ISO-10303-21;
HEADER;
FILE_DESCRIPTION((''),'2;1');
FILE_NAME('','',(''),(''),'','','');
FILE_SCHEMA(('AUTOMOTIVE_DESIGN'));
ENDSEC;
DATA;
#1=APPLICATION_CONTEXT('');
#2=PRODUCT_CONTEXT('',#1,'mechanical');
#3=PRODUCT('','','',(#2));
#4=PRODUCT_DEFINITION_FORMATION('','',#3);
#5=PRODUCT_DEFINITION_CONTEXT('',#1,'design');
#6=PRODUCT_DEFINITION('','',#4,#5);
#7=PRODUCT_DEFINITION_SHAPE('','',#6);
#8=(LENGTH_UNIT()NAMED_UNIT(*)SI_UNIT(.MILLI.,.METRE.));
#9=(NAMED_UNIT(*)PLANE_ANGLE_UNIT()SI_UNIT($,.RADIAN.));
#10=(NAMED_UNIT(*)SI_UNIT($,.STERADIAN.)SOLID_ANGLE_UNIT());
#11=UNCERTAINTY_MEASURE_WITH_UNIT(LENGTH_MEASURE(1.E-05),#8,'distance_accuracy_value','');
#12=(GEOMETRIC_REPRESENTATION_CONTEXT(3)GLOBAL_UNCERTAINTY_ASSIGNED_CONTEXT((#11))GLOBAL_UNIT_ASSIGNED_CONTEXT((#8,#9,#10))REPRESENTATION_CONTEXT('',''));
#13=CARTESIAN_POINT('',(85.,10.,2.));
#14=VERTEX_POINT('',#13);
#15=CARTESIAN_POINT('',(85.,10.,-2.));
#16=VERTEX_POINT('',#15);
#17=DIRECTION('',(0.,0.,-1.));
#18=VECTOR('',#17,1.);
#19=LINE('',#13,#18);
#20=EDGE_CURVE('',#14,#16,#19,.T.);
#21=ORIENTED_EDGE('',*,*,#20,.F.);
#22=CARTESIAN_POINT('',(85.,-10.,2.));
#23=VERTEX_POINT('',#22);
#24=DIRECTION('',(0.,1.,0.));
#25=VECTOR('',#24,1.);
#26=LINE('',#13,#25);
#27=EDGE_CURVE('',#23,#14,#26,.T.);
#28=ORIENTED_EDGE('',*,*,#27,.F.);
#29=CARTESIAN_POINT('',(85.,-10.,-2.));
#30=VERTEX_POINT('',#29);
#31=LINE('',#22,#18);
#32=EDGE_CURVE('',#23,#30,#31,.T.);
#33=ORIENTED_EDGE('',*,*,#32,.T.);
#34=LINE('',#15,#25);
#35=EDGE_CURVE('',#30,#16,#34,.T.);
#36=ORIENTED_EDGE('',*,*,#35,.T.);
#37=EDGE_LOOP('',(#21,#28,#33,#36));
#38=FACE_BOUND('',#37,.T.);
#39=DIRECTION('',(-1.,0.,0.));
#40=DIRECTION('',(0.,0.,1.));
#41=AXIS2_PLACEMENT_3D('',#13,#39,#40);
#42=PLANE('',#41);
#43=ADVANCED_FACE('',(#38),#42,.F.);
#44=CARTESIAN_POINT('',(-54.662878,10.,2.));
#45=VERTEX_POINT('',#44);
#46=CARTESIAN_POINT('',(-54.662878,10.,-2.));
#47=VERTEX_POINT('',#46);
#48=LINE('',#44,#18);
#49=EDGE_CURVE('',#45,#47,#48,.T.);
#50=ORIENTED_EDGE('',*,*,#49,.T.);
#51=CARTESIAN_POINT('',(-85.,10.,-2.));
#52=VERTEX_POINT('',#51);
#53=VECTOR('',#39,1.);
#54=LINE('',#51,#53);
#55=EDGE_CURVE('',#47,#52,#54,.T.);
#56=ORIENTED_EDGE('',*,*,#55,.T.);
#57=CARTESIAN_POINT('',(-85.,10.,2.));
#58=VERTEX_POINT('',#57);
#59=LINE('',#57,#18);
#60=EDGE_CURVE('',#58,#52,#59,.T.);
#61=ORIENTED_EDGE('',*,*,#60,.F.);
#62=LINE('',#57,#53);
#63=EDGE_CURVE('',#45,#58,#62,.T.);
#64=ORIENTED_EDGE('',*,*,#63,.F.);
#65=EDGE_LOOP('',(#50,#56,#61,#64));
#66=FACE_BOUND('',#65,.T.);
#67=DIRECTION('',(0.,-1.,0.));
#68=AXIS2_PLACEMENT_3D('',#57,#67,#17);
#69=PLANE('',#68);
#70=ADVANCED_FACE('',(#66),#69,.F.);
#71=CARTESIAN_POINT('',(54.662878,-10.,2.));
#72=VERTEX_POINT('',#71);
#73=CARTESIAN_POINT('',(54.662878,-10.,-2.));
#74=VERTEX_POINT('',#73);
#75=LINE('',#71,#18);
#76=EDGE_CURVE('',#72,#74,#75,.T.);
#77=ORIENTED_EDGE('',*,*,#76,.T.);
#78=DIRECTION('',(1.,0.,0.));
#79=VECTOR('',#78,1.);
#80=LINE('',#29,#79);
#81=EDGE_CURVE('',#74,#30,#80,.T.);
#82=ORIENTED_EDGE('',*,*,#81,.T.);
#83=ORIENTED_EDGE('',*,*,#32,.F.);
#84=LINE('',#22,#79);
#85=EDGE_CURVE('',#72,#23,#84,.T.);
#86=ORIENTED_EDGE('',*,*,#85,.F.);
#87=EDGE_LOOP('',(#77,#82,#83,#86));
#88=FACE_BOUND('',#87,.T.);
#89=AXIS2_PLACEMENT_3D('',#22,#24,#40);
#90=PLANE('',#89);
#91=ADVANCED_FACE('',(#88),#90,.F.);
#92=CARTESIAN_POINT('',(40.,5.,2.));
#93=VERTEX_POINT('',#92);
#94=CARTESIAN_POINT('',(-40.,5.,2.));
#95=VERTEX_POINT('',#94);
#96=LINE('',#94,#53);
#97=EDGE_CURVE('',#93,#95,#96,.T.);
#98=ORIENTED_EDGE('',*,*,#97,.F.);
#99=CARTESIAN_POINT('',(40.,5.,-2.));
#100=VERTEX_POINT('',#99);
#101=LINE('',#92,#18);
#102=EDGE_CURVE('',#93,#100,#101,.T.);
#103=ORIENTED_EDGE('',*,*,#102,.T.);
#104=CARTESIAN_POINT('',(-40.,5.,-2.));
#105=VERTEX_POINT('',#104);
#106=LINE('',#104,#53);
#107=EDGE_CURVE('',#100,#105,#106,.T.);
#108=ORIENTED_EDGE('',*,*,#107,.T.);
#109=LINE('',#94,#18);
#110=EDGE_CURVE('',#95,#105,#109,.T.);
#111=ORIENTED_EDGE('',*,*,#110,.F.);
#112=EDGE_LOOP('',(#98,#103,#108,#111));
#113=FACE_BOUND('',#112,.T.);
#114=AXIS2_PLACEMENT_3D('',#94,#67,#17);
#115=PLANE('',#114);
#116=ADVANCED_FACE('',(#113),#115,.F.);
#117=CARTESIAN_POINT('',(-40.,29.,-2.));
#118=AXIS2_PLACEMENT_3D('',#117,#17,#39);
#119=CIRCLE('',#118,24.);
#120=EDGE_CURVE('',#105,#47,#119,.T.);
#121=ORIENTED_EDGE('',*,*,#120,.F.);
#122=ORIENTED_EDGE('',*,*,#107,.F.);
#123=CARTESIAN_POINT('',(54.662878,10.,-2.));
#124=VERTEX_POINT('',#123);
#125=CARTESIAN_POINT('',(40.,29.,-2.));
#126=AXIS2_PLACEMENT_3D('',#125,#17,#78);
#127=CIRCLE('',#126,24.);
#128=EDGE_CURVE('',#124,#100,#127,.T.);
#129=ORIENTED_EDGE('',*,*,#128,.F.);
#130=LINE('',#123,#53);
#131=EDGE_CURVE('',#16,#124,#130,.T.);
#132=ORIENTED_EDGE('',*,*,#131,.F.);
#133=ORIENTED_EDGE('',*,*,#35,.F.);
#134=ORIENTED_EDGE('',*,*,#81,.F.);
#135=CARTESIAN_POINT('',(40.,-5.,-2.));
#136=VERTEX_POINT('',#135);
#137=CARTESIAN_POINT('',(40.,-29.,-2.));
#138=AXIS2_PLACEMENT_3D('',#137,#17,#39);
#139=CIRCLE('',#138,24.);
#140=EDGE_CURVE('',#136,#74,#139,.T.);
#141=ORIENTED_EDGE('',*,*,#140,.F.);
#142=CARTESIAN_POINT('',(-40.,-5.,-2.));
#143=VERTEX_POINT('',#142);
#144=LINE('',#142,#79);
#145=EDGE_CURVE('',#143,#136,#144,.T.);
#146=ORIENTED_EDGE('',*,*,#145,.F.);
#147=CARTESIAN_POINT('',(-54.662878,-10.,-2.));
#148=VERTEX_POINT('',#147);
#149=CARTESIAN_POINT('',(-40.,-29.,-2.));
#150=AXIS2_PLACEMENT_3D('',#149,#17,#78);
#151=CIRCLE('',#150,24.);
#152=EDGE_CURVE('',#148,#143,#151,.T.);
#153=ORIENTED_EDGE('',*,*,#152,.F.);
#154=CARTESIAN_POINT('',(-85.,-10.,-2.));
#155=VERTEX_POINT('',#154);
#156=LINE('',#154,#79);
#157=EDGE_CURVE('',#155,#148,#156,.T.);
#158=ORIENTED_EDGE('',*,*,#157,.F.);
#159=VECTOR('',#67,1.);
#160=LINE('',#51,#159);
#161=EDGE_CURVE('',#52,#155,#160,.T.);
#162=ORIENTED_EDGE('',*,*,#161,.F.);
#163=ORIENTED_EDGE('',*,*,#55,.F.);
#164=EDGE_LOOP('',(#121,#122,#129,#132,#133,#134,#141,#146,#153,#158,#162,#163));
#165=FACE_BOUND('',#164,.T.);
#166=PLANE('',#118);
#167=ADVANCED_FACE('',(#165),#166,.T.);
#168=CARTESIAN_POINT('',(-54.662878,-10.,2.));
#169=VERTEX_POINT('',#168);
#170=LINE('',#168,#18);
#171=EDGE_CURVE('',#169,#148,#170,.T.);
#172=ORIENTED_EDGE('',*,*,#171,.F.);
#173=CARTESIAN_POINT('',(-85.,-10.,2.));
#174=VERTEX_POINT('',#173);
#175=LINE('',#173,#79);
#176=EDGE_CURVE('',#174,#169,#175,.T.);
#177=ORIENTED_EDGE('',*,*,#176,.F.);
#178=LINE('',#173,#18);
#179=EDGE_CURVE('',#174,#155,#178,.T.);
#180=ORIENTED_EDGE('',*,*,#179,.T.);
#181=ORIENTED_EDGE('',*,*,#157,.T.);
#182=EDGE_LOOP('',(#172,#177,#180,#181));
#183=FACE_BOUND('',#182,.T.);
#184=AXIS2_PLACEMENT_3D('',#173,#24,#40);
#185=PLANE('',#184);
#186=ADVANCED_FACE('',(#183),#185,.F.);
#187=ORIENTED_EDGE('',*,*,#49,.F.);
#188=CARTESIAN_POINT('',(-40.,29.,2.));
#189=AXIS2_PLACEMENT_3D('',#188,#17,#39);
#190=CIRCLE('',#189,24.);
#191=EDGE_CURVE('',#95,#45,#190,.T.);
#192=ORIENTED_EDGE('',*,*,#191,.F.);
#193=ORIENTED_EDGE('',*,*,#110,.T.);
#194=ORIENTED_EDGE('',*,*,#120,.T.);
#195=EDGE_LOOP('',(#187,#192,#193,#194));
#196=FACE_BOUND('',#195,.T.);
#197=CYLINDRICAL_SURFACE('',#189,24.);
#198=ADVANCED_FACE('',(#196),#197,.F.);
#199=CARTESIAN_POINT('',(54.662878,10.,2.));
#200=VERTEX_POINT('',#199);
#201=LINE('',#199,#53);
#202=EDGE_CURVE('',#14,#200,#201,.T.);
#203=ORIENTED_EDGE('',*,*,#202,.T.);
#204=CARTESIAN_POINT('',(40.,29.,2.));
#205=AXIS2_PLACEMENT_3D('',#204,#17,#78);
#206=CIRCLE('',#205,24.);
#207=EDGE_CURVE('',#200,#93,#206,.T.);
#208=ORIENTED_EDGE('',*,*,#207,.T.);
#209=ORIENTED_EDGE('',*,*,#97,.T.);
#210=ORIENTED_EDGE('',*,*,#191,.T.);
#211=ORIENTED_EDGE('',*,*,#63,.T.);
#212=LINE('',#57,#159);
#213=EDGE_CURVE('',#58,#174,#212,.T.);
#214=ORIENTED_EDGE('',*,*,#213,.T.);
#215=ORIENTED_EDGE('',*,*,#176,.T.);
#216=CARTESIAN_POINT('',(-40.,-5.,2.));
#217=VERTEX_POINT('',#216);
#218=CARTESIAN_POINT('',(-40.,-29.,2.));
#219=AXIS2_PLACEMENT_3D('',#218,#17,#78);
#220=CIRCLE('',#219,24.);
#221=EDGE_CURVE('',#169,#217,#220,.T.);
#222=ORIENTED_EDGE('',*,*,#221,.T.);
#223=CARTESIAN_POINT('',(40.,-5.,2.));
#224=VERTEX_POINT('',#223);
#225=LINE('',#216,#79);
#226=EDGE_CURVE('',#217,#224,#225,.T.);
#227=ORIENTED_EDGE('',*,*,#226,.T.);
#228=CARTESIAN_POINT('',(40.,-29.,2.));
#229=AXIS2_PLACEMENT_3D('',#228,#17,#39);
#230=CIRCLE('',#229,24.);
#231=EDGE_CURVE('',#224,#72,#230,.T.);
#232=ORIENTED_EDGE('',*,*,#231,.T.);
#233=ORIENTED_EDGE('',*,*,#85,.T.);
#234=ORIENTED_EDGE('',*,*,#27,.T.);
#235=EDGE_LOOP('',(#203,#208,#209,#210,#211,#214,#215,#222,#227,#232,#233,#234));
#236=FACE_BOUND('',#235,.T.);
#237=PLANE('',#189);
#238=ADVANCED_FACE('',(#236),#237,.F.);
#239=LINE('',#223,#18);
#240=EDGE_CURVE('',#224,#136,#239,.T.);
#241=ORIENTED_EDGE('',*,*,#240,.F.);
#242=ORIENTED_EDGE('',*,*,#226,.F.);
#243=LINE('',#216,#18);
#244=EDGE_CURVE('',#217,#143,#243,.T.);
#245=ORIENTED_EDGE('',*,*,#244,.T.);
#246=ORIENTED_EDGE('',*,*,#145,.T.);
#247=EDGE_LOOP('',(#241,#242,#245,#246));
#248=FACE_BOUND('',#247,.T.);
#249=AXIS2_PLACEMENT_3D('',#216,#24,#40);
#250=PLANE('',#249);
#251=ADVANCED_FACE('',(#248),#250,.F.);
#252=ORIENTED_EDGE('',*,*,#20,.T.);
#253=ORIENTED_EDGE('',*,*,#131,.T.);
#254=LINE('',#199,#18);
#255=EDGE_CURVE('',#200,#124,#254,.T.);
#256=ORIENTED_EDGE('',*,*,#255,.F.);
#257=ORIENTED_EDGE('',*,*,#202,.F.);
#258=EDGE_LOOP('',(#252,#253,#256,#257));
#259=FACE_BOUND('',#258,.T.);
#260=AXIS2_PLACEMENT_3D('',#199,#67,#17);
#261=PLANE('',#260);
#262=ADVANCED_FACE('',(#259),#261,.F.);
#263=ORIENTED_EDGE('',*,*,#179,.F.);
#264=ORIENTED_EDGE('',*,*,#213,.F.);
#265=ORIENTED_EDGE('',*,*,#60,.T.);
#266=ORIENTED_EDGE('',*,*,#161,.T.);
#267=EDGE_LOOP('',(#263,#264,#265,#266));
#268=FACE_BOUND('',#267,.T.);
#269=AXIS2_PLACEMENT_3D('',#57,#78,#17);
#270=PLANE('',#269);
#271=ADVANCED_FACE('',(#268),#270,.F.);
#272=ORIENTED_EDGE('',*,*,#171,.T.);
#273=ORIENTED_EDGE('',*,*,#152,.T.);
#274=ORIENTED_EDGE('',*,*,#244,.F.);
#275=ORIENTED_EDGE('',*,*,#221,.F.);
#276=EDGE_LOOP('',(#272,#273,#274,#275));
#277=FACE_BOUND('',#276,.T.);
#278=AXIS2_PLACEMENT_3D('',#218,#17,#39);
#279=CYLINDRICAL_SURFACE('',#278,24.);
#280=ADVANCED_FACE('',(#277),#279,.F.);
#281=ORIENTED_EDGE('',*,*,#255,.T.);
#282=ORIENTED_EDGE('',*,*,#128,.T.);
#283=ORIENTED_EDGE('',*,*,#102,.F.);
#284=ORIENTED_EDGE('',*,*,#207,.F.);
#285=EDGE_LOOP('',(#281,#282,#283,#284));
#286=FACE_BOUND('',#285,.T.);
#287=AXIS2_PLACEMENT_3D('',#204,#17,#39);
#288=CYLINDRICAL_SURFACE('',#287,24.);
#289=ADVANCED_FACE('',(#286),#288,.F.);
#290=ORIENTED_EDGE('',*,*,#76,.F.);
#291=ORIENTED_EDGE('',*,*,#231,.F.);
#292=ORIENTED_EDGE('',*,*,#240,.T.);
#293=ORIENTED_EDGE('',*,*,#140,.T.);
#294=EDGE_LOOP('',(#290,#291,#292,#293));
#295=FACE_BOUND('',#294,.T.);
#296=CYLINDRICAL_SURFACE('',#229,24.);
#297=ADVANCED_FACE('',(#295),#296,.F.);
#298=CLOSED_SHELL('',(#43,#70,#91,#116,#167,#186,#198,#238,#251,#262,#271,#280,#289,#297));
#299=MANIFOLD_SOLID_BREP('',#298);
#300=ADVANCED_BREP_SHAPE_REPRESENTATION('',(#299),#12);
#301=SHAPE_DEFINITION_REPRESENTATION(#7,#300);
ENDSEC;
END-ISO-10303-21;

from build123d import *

# Parameters (mm, degrees)
BOSS_EXTRUDE1_DEPTH = 2


with BuildPart() as part:
    # Sketch1 → Boss-Extrude1 (new body, symmetric)
    with BuildSketch(Plane.XY):
        with BuildLine():
            Line((-85, 10), (-85, -10))
            Line((-85, -10), (-54.662878299, -10))
            ThreePointArc((-54.662878299, -10), (-47.745966692, -6.284366617), (-40, -5))
            Line((-40, -5), (40, -5))
            ThreePointArc((40, -5), (47.745966692, -6.284366617), (54.662878299, -10))
            Line((54.662878299, -10), (85, -10))
            Line((85, -10), (85, 10))
            Line((85, 10), (54.662878299, 10))
            ThreePointArc((54.662878299, 10), (47.745966692, 6.284366617), (40, 5))
            Line((40, 5), (-40, 5))
            ThreePointArc((-40, 5), (-47.745966692, 6.284366617), (-54.662878299, 10))
            Line((-54.662878299, 10), (-85, 10))
        make_face()
    extrude(amount=BOSS_EXTRUDE1_DEPTH, both=True)


solid = part.part
